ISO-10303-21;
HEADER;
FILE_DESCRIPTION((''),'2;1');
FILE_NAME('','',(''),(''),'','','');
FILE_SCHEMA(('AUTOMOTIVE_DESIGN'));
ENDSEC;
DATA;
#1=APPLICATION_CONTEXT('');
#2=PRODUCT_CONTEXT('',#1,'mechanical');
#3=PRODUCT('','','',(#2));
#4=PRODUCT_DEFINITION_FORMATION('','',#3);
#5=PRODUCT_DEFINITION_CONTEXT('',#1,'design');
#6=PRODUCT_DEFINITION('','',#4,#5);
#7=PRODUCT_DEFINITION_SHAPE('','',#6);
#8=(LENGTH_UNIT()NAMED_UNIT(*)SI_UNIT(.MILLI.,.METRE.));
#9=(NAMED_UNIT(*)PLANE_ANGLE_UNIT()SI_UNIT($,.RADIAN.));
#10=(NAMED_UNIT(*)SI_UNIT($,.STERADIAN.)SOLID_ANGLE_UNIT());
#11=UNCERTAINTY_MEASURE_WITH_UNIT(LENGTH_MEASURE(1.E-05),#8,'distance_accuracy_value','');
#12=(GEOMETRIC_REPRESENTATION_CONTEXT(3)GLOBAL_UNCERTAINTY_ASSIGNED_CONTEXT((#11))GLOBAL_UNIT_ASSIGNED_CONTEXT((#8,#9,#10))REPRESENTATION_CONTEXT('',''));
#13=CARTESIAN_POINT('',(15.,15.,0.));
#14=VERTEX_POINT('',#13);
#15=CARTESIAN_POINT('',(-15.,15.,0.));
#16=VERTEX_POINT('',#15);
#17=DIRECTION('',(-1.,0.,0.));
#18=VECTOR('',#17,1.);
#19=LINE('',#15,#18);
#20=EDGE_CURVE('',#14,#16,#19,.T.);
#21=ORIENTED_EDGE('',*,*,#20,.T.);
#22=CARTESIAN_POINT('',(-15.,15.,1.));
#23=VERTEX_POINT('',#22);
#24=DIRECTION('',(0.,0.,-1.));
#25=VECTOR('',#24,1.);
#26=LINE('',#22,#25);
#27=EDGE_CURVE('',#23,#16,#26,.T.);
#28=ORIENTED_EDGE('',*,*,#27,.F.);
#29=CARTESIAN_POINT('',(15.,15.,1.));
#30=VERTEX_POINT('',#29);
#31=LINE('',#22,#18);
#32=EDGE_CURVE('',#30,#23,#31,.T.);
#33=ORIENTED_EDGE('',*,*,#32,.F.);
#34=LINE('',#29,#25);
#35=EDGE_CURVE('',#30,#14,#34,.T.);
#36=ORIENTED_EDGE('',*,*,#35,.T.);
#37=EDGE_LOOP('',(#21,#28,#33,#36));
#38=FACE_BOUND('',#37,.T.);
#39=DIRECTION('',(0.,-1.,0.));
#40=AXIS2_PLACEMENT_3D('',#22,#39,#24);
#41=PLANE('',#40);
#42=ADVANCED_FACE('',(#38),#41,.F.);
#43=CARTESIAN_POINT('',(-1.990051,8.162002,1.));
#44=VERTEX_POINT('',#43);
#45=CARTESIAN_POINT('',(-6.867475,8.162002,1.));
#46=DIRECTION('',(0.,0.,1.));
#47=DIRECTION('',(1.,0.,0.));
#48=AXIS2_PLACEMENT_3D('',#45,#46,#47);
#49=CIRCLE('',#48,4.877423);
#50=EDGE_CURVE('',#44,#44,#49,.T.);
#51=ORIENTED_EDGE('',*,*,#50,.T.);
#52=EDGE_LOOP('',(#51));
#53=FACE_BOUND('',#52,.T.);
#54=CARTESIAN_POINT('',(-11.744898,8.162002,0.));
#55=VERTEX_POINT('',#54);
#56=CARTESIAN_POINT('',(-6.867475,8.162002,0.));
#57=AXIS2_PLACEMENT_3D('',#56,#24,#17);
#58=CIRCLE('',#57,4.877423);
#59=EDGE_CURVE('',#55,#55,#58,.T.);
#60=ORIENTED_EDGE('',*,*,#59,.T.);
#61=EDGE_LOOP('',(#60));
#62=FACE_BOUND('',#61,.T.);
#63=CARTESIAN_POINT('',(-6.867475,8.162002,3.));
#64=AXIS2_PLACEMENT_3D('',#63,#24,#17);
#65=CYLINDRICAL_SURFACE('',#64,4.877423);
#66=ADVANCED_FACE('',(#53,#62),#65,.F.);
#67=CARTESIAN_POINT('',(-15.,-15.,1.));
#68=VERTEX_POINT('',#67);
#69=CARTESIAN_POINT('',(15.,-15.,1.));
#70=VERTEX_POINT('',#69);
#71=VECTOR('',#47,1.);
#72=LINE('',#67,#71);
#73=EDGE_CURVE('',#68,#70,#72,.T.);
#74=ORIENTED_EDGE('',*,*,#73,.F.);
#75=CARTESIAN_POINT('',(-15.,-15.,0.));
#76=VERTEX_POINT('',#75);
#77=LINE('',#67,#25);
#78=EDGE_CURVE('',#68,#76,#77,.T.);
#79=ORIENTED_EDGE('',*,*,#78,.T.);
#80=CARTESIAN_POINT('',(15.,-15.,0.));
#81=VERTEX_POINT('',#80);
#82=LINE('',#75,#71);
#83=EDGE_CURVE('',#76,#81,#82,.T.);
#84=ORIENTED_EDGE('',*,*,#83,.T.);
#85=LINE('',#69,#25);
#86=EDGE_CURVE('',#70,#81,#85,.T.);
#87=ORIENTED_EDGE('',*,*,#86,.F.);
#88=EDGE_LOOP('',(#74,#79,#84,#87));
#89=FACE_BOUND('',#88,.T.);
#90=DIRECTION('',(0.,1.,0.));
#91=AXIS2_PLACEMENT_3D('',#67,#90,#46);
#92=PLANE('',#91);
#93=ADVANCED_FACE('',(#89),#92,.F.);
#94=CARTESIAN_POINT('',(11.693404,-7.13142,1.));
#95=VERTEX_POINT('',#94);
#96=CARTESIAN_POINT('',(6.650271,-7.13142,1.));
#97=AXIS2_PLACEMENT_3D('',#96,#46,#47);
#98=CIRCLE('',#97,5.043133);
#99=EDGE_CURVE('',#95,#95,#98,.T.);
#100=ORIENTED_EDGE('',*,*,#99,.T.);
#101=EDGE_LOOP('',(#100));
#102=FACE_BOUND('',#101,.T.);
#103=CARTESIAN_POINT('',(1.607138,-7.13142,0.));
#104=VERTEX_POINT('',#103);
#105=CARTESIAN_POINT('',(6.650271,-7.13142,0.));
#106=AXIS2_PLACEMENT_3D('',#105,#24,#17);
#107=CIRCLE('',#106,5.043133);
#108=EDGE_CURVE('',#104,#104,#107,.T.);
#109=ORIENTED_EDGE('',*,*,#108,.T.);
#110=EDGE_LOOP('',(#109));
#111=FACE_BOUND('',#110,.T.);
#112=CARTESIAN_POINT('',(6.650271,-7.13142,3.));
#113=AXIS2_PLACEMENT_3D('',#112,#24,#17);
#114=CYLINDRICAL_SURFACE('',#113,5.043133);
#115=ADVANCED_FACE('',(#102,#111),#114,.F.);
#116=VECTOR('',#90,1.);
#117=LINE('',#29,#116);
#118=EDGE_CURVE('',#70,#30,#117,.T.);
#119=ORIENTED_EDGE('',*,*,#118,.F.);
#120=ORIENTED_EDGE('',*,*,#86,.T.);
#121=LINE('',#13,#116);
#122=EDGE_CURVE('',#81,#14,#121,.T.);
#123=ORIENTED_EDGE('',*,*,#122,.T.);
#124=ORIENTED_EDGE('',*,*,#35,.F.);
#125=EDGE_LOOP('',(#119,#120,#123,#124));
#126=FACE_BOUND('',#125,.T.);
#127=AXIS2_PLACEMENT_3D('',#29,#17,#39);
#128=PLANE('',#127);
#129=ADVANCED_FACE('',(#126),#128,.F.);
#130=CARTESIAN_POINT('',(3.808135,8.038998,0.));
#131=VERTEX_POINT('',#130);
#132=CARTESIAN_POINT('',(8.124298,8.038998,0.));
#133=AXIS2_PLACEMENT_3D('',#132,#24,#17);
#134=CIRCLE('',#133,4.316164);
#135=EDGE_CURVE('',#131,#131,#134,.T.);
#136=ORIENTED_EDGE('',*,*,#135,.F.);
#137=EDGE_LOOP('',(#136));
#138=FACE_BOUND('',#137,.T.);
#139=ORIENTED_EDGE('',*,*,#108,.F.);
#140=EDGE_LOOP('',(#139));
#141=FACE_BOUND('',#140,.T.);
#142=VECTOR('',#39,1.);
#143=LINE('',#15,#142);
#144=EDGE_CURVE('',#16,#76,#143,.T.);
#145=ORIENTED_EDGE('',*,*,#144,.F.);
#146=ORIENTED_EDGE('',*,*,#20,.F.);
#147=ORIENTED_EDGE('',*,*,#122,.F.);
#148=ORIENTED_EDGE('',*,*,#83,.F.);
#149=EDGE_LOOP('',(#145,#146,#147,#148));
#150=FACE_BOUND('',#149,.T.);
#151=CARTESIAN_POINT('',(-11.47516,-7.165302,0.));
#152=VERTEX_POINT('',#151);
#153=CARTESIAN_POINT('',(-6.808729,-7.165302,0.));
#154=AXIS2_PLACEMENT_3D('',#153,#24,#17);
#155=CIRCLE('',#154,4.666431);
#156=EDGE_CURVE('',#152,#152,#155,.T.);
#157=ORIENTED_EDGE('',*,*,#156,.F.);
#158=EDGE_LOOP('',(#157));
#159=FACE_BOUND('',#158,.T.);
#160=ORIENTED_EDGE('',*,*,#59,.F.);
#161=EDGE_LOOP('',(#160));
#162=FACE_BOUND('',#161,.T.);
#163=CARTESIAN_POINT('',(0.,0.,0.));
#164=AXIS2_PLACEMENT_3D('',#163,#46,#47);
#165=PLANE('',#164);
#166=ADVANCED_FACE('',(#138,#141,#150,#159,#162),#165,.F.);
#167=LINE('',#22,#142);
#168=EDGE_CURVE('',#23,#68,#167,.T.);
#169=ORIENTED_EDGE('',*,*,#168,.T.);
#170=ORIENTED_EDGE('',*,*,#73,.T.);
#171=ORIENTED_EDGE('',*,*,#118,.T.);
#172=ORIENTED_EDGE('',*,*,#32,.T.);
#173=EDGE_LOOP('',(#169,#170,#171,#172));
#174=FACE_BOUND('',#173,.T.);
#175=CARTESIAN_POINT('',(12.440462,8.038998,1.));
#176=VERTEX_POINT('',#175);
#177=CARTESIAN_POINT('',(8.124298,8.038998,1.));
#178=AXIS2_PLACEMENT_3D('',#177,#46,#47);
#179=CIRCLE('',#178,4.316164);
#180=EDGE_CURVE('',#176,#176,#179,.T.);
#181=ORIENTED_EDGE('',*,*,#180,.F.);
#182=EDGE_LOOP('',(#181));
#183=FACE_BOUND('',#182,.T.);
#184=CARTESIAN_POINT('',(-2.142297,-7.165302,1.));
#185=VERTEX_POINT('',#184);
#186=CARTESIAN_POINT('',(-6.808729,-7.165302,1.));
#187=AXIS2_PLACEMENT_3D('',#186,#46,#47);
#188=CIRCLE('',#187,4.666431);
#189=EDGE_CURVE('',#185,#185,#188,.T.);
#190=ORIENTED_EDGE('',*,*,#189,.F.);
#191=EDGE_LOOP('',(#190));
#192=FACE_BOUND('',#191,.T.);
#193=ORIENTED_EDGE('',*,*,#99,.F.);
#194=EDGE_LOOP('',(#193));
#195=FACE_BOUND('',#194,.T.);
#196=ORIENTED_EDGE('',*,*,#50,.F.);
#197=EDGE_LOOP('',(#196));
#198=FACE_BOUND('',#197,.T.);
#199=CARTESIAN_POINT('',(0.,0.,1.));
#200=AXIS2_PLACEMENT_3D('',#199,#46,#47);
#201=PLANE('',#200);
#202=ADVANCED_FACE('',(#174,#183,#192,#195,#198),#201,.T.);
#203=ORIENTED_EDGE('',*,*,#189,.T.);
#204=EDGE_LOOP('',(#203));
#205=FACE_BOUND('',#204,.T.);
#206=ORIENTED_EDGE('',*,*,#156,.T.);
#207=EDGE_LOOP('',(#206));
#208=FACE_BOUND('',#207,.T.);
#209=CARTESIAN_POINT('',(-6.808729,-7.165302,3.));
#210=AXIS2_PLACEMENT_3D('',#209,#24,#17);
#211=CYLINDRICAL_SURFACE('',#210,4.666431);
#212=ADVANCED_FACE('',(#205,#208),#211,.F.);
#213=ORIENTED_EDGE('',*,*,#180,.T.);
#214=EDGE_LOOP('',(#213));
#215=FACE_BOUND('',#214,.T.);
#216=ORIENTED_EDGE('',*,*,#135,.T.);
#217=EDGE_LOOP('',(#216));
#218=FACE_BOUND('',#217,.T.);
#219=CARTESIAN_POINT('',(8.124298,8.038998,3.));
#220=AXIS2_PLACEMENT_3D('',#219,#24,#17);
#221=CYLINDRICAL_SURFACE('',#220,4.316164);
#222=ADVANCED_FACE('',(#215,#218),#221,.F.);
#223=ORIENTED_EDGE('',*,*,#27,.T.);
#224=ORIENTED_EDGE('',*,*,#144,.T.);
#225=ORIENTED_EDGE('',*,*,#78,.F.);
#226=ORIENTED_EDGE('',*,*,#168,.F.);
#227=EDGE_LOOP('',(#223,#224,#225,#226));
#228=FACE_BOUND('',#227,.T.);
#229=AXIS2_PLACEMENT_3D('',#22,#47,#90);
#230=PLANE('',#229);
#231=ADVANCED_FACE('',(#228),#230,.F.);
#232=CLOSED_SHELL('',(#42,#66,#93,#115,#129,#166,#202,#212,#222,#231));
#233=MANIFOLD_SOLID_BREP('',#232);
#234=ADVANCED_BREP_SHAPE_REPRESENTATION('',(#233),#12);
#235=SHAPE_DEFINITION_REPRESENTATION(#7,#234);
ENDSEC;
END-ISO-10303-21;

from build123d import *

# Parameters (mm, degrees)
SKETCH1_W           = 30
SKETCH1_H           = 30
BOSS_EXTRUDE1_DEPTH = 1
SKETCH2_R           = 4.316163829
CUT_EXTRUDE1_DEPTH  = 3
SKETCH3_R           = 5.043132961
CUT_EXTRUDE2_DEPTH  = 3
SKETCH4_R           = 4.877423457
CUT_EXTRUDE3_DEPTH  = 3
SKETCH5_R           = 4.666431363
CUT_EXTRUDE4_DEPTH  = 3


with BuildPart() as part:
    # Sketch1 → Boss-Extrude1 (new body)
    with BuildSketch(Plane.XY):
        Rectangle(SKETCH1_W, SKETCH1_H)
    extrude(amount=BOSS_EXTRUDE1_DEPTH)

    # Sketch2 → Cut-Extrude1 (cut)
    with BuildSketch(Plane(origin=(0, 0, 0), x_dir=(-1, 0, 0), z_dir=(0, 0, -1))):
        with Locations((-8.12429837, 8.038997658)):
            Circle(SKETCH2_R)
    extrude(amount=-CUT_EXTRUDE1_DEPTH, mode=Mode.SUBTRACT)

    # Sketch3 → Cut-Extrude2 (cut)
    with BuildSketch(Plane(origin=(0, 0, 0), x_dir=(-1, 0, 0), z_dir=(0, 0, -1))):
        with Locations((-6.650270789, -7.131419922)):
            Circle(SKETCH3_R)
    extrude(amount=-CUT_EXTRUDE2_DEPTH, mode=Mode.SUBTRACT)

    # Sketch4 → Cut-Extrude3 (cut)
    with BuildSketch(Plane(origin=(0, 0, 0), x_dir=(-1, 0, 0), z_dir=(0, 0, -1))):
        with Locations((6.8674749, 8.16200162)):
            Circle(SKETCH4_R)
    extrude(amount=-CUT_EXTRUDE3_DEPTH, mode=Mode.SUBTRACT)

    # Sketch5 → Cut-Extrude4 (cut)
    with BuildSketch(Plane(origin=(0, 0, 0), x_dir=(-1, 0, 0), z_dir=(0, 0, -1))):
        with Locations((6.808728507, -7.165302377)):
            Circle(SKETCH5_R)
    extrude(amount=-CUT_EXTRUDE4_DEPTH, mode=Mode.SUBTRACT)


solid = part.part
